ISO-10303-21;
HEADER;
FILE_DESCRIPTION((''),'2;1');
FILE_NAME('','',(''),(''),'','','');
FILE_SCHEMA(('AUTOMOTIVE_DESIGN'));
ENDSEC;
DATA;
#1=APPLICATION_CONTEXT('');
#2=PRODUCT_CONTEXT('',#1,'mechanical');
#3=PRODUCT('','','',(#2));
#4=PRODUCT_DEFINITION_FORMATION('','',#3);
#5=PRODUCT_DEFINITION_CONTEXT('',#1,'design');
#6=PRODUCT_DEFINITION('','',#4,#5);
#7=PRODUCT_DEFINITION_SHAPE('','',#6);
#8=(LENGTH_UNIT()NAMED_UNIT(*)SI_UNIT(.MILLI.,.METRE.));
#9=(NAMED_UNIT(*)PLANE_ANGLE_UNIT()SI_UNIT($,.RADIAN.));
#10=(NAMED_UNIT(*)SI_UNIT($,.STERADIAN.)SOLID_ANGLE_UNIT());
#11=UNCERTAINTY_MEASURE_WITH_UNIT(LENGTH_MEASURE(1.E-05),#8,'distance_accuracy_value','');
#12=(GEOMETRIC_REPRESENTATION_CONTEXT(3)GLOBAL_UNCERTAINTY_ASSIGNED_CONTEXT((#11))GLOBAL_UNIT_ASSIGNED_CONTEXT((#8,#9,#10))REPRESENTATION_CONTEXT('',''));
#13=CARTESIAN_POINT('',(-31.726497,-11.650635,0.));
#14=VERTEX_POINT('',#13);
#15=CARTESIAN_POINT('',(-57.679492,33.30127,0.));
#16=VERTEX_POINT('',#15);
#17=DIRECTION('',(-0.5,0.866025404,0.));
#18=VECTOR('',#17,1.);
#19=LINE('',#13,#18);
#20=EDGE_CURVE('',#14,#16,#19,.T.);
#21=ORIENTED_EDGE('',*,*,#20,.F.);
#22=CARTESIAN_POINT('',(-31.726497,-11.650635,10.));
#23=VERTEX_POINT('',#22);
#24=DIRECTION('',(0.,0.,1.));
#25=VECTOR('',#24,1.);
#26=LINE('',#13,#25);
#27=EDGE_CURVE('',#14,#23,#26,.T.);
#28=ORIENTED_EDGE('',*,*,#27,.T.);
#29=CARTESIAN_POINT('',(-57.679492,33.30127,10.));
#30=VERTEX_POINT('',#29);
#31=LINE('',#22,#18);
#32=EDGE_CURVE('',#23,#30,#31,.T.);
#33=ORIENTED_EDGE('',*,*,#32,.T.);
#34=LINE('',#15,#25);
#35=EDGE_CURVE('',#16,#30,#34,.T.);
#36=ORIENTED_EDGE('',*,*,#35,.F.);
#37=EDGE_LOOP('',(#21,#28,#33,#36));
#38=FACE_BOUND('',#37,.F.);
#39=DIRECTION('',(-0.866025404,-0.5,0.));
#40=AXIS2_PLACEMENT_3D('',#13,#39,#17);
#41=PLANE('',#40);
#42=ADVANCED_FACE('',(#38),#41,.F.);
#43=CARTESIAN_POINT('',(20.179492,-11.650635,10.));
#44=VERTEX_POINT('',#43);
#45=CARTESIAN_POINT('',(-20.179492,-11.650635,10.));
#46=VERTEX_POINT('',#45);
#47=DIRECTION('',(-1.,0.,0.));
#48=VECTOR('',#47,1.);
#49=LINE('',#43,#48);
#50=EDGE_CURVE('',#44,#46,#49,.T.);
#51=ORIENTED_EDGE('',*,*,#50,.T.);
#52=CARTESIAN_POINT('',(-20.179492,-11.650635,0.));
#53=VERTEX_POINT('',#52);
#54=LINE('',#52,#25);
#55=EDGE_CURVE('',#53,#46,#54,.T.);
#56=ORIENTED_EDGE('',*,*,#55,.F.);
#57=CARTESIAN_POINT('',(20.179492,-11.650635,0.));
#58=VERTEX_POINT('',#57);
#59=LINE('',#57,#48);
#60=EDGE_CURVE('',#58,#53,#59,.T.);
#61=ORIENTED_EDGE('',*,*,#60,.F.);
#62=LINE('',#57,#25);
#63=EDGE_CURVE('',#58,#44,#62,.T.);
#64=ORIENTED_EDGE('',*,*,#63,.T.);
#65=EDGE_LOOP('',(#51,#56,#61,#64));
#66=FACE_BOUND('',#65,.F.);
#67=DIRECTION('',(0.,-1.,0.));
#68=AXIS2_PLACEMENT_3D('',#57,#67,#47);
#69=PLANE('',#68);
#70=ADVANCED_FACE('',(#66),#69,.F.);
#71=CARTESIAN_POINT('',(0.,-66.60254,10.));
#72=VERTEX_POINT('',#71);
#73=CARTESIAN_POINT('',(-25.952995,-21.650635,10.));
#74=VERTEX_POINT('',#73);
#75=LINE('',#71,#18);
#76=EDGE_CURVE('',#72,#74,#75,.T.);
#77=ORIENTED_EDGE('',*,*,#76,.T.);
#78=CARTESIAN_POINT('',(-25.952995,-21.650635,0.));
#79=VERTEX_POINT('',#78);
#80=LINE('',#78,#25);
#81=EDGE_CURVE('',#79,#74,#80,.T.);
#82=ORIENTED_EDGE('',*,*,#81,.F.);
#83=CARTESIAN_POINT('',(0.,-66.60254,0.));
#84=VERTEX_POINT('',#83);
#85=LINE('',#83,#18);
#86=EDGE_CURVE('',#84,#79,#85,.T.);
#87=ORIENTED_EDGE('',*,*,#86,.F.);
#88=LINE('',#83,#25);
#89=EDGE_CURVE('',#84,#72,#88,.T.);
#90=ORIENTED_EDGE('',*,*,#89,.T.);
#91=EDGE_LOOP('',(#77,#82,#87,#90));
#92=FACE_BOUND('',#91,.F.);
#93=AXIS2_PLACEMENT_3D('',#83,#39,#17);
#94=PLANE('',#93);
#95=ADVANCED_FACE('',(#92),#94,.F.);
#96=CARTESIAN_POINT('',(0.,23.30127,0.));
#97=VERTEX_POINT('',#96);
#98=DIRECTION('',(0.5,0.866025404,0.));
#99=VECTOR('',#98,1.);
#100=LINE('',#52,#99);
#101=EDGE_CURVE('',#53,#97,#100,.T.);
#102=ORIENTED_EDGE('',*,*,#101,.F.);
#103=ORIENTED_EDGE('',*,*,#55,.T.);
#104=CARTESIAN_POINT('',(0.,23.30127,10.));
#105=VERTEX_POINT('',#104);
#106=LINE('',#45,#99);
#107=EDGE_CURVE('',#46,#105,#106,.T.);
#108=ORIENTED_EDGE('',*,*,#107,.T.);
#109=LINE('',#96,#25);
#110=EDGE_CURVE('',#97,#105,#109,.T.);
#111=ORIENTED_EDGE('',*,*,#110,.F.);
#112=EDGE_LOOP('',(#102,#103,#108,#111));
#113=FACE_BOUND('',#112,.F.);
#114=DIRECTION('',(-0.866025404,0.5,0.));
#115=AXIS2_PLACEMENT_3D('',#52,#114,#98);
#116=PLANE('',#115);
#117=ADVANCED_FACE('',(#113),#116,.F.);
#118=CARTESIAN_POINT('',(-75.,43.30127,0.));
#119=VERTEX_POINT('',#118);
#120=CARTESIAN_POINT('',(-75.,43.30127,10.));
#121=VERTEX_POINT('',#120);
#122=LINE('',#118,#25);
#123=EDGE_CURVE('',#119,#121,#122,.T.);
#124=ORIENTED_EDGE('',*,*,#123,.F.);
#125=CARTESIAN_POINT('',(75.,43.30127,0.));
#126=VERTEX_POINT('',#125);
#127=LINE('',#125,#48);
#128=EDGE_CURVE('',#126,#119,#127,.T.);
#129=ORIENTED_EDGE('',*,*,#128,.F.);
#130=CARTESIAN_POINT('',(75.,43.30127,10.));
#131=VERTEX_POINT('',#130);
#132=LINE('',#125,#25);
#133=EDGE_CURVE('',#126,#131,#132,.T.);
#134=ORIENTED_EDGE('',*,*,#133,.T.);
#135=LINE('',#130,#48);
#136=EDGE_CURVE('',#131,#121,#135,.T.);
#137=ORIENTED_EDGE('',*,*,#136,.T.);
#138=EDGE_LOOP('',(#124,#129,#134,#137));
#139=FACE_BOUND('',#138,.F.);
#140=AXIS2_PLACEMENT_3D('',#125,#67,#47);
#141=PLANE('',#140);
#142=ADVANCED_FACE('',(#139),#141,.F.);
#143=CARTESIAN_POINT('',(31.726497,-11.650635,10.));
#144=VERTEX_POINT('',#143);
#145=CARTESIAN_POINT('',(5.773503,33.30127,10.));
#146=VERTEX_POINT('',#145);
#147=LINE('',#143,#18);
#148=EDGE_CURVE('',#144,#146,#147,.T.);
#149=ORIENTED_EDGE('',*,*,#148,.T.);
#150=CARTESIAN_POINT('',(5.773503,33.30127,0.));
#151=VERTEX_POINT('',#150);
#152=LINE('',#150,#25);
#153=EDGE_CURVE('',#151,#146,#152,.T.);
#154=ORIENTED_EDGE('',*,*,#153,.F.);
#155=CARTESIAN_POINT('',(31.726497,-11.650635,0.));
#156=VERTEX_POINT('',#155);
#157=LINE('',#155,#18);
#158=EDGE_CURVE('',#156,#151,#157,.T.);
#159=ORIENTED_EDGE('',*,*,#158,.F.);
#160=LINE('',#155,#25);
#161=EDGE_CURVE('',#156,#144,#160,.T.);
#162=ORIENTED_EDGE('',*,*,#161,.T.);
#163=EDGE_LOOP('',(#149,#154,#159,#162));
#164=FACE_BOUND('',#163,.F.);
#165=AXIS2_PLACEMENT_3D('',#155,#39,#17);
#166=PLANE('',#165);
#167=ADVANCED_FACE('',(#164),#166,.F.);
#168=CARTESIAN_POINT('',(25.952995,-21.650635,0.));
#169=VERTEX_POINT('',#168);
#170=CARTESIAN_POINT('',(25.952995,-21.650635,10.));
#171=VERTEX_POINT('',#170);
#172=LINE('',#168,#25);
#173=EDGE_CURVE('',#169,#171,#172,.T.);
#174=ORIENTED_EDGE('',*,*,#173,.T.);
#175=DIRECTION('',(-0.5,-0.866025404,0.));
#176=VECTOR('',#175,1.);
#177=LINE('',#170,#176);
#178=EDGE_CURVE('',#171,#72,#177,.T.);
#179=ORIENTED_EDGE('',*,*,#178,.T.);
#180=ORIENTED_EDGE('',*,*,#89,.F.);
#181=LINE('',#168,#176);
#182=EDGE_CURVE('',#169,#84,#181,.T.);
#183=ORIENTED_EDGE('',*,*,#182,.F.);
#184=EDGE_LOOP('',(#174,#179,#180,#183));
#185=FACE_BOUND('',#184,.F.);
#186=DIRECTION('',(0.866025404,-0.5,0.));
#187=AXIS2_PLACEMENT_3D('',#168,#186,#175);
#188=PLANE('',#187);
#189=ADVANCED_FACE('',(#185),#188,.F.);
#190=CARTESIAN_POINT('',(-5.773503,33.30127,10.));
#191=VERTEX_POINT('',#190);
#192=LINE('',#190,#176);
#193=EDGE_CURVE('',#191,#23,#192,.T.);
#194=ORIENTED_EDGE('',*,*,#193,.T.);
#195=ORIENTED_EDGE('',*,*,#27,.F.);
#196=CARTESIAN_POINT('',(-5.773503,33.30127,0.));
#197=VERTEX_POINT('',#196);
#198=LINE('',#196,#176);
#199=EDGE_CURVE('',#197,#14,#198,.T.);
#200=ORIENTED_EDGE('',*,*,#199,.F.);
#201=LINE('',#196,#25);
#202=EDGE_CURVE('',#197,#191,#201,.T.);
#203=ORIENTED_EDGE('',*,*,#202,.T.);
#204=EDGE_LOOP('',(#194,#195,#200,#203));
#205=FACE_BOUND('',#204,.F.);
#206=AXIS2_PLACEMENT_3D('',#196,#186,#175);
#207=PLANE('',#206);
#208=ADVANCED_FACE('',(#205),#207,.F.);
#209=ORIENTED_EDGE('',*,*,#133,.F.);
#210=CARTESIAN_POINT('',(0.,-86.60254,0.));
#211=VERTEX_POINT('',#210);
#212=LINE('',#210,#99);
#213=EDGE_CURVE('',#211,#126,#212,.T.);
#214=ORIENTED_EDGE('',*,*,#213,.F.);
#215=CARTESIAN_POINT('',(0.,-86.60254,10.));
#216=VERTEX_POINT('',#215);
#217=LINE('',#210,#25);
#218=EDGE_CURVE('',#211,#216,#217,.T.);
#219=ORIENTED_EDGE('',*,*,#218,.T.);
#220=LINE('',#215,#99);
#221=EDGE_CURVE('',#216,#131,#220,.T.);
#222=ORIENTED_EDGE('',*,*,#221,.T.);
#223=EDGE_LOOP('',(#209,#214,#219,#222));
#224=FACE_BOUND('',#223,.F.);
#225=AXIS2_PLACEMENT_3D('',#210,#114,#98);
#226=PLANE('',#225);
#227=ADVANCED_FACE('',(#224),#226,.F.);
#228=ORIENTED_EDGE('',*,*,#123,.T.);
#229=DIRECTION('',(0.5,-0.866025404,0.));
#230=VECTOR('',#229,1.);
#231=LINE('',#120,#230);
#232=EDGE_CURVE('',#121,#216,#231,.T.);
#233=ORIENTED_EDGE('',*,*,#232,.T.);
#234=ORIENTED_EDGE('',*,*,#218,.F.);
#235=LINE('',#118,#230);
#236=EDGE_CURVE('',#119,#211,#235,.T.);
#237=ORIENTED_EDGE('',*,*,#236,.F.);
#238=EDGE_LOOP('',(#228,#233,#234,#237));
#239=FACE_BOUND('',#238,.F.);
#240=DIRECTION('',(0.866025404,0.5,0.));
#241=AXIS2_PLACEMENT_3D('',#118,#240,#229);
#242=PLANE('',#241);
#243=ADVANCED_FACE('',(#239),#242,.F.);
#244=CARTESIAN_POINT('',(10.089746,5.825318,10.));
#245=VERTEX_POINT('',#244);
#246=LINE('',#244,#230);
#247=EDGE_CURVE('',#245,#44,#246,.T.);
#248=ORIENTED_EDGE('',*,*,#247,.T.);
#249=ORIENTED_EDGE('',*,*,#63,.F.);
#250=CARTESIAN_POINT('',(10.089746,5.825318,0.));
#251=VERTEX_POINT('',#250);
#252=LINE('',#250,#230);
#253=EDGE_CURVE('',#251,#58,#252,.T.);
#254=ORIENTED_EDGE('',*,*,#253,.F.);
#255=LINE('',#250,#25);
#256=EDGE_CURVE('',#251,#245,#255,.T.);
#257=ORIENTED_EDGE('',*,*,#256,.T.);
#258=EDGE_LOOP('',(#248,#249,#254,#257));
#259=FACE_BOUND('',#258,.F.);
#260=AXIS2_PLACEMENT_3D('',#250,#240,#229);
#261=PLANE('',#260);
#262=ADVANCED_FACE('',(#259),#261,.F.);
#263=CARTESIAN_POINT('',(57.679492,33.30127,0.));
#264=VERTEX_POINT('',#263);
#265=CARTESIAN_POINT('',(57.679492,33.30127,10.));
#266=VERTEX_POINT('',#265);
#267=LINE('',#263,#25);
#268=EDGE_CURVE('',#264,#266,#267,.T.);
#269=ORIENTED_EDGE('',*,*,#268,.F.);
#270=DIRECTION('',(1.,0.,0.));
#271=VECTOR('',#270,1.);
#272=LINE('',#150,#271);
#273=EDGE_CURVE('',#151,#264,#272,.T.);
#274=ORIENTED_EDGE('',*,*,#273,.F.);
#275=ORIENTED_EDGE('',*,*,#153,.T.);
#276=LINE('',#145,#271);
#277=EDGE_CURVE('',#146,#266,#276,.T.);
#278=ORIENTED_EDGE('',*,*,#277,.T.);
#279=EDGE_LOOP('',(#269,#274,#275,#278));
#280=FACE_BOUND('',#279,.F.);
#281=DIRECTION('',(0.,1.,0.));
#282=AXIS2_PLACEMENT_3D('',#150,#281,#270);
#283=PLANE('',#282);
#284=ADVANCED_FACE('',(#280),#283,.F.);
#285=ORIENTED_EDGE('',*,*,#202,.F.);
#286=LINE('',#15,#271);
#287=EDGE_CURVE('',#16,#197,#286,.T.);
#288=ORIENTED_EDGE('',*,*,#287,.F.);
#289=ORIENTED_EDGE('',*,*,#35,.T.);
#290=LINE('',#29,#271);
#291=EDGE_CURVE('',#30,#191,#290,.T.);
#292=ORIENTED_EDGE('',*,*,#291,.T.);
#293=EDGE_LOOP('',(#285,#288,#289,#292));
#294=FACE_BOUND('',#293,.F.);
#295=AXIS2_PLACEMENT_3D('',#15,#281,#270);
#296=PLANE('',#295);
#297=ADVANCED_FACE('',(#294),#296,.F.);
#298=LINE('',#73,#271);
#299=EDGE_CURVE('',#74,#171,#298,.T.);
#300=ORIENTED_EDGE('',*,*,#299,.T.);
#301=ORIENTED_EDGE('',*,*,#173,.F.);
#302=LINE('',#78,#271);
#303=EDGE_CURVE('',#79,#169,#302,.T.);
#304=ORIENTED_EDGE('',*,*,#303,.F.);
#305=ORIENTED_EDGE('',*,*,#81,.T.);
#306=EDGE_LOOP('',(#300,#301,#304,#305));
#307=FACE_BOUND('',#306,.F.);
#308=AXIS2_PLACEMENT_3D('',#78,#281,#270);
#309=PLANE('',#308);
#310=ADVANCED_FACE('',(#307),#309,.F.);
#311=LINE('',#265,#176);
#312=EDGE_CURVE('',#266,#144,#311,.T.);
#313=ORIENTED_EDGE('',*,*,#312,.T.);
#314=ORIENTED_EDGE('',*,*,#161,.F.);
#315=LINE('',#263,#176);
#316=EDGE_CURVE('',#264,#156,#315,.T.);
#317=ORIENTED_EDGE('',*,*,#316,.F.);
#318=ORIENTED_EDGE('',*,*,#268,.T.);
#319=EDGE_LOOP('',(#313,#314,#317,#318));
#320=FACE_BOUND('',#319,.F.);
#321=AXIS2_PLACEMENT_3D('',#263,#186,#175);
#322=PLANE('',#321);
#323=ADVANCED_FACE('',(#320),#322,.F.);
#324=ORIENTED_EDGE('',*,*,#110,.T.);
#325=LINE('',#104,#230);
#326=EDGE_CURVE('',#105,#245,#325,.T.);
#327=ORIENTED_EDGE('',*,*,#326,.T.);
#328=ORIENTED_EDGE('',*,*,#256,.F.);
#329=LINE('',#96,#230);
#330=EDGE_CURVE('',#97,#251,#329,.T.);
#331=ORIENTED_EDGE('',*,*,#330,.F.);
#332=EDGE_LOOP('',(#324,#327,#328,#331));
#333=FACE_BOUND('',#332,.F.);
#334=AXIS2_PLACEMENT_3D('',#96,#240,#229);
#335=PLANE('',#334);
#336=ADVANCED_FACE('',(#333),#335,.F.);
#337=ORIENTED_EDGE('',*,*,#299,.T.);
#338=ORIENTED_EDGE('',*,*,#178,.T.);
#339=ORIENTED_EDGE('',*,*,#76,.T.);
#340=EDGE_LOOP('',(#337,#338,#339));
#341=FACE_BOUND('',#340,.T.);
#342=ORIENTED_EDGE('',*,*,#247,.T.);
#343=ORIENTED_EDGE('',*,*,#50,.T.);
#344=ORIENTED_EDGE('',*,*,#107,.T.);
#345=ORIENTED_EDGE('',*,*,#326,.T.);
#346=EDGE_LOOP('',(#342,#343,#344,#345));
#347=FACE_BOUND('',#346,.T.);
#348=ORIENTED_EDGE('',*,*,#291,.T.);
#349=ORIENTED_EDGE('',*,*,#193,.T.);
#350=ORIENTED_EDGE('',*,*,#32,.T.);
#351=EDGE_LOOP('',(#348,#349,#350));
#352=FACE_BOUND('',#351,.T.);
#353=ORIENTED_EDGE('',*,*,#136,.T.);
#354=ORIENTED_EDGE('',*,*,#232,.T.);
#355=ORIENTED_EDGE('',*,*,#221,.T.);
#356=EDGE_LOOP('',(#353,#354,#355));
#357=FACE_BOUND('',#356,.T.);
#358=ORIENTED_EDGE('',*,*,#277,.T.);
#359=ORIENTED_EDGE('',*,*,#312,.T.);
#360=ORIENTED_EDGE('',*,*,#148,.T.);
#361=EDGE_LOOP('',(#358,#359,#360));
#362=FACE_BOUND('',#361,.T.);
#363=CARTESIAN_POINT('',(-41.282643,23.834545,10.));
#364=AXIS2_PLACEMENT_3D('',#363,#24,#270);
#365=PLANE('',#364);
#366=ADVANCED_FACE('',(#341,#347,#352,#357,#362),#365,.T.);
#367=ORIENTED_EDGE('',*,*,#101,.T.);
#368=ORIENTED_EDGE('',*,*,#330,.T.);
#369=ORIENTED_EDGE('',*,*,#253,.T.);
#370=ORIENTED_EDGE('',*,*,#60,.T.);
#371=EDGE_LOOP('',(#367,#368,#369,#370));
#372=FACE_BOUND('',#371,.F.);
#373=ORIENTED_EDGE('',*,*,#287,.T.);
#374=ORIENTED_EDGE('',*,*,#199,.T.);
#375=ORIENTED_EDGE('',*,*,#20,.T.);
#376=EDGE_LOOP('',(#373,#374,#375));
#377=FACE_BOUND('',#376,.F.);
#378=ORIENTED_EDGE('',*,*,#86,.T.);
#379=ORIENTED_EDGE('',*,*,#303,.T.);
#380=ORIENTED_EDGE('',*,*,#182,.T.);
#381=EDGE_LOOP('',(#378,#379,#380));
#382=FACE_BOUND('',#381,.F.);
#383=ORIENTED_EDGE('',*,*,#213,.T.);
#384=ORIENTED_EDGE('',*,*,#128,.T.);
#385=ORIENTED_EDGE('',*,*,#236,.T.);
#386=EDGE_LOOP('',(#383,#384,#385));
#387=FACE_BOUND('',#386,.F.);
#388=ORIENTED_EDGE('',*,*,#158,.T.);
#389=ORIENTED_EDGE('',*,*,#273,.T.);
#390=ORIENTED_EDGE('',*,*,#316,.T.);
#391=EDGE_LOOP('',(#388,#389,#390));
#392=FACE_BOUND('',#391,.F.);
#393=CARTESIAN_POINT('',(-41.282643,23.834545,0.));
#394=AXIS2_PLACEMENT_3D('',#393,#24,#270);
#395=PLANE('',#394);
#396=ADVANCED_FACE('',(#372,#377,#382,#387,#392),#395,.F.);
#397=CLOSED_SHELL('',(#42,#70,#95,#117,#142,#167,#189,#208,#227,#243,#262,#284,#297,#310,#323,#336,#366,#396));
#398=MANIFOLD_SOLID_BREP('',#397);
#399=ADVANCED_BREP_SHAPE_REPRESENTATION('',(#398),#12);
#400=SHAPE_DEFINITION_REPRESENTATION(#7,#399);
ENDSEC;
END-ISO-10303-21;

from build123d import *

# Parameters (mm, degrees)
F1_DEPTH = 10


with BuildPart() as f1:
    # F0 (on Top) → F1 (new body)
    with BuildSketch(Plane.XY):
        Polygon((0, 43.3012701892), (-75, 43.3012701892), (-37.5, -21.6506350946), (-31.7264973081, -11.6506350946), (-57.6794919243, 33.3012701892), (-5.7735026919, 33.3012701892), align=None)
        Polygon((5.7735026919, 33.3012701892), (-5.7735026919, 33.3012701892), (-31.7264973081, -11.6506350946), (-28.8397459622, -16.6506350946), (-20.1794919243, -11.6506350946), (0, 23.3012701892), (10.0897459622, 5.8253175473), (18.75, 10.8253175473), align=None)
        Polygon((5.7735026919, 33.3012701892), (0, 43.3012701892), (-5.7735026919, 33.3012701892), align=None)
        Polygon((75, 43.3012701892), (0, 43.3012701892), (5.7735026919, 33.3012701892), (57.6794919243, 33.3012701892), align=None)
        Polygon((-20.1794919243, -11.6506350946), (-28.8397459622, -16.6506350946), (-25.9529946162, -21.6506350946), (25.9529946162, -21.6506350946), (31.7264973081, -11.6506350946), (18.75, 10.8253175473), (10.0897459622, 5.8253175473), (20.1794919243, -11.6506350946), align=None)
        Polygon((37.5, -21.6506350946), (75, 43.3012701892), (57.6794919243, 33.3012701892), (31.7264973081, -11.6506350946), align=None)
        Polygon((25.9529946162, -21.6506350946), (37.5, -21.6506350946), (31.7264973081, -11.6506350946), align=None)
        Polygon((-25.9529946162, -21.6506350946), (-37.5, -21.6506350946), (0, -86.6025403784), (37.5, -21.6506350946), (25.9529946162, -21.6506350946), (0, -66.6025403784), align=None)
        Polygon((-31.7264973081, -11.6506350946), (-37.5, -21.6506350946), (-28.8397459622, -16.6506350946), align=None)
        Polygon((-28.8397459622, -16.6506350946), (-37.5, -21.6506350946), (-25.9529946162, -21.6506350946), align=None)
    extrude(amount=F1_DEPTH)


solid = f1.part
